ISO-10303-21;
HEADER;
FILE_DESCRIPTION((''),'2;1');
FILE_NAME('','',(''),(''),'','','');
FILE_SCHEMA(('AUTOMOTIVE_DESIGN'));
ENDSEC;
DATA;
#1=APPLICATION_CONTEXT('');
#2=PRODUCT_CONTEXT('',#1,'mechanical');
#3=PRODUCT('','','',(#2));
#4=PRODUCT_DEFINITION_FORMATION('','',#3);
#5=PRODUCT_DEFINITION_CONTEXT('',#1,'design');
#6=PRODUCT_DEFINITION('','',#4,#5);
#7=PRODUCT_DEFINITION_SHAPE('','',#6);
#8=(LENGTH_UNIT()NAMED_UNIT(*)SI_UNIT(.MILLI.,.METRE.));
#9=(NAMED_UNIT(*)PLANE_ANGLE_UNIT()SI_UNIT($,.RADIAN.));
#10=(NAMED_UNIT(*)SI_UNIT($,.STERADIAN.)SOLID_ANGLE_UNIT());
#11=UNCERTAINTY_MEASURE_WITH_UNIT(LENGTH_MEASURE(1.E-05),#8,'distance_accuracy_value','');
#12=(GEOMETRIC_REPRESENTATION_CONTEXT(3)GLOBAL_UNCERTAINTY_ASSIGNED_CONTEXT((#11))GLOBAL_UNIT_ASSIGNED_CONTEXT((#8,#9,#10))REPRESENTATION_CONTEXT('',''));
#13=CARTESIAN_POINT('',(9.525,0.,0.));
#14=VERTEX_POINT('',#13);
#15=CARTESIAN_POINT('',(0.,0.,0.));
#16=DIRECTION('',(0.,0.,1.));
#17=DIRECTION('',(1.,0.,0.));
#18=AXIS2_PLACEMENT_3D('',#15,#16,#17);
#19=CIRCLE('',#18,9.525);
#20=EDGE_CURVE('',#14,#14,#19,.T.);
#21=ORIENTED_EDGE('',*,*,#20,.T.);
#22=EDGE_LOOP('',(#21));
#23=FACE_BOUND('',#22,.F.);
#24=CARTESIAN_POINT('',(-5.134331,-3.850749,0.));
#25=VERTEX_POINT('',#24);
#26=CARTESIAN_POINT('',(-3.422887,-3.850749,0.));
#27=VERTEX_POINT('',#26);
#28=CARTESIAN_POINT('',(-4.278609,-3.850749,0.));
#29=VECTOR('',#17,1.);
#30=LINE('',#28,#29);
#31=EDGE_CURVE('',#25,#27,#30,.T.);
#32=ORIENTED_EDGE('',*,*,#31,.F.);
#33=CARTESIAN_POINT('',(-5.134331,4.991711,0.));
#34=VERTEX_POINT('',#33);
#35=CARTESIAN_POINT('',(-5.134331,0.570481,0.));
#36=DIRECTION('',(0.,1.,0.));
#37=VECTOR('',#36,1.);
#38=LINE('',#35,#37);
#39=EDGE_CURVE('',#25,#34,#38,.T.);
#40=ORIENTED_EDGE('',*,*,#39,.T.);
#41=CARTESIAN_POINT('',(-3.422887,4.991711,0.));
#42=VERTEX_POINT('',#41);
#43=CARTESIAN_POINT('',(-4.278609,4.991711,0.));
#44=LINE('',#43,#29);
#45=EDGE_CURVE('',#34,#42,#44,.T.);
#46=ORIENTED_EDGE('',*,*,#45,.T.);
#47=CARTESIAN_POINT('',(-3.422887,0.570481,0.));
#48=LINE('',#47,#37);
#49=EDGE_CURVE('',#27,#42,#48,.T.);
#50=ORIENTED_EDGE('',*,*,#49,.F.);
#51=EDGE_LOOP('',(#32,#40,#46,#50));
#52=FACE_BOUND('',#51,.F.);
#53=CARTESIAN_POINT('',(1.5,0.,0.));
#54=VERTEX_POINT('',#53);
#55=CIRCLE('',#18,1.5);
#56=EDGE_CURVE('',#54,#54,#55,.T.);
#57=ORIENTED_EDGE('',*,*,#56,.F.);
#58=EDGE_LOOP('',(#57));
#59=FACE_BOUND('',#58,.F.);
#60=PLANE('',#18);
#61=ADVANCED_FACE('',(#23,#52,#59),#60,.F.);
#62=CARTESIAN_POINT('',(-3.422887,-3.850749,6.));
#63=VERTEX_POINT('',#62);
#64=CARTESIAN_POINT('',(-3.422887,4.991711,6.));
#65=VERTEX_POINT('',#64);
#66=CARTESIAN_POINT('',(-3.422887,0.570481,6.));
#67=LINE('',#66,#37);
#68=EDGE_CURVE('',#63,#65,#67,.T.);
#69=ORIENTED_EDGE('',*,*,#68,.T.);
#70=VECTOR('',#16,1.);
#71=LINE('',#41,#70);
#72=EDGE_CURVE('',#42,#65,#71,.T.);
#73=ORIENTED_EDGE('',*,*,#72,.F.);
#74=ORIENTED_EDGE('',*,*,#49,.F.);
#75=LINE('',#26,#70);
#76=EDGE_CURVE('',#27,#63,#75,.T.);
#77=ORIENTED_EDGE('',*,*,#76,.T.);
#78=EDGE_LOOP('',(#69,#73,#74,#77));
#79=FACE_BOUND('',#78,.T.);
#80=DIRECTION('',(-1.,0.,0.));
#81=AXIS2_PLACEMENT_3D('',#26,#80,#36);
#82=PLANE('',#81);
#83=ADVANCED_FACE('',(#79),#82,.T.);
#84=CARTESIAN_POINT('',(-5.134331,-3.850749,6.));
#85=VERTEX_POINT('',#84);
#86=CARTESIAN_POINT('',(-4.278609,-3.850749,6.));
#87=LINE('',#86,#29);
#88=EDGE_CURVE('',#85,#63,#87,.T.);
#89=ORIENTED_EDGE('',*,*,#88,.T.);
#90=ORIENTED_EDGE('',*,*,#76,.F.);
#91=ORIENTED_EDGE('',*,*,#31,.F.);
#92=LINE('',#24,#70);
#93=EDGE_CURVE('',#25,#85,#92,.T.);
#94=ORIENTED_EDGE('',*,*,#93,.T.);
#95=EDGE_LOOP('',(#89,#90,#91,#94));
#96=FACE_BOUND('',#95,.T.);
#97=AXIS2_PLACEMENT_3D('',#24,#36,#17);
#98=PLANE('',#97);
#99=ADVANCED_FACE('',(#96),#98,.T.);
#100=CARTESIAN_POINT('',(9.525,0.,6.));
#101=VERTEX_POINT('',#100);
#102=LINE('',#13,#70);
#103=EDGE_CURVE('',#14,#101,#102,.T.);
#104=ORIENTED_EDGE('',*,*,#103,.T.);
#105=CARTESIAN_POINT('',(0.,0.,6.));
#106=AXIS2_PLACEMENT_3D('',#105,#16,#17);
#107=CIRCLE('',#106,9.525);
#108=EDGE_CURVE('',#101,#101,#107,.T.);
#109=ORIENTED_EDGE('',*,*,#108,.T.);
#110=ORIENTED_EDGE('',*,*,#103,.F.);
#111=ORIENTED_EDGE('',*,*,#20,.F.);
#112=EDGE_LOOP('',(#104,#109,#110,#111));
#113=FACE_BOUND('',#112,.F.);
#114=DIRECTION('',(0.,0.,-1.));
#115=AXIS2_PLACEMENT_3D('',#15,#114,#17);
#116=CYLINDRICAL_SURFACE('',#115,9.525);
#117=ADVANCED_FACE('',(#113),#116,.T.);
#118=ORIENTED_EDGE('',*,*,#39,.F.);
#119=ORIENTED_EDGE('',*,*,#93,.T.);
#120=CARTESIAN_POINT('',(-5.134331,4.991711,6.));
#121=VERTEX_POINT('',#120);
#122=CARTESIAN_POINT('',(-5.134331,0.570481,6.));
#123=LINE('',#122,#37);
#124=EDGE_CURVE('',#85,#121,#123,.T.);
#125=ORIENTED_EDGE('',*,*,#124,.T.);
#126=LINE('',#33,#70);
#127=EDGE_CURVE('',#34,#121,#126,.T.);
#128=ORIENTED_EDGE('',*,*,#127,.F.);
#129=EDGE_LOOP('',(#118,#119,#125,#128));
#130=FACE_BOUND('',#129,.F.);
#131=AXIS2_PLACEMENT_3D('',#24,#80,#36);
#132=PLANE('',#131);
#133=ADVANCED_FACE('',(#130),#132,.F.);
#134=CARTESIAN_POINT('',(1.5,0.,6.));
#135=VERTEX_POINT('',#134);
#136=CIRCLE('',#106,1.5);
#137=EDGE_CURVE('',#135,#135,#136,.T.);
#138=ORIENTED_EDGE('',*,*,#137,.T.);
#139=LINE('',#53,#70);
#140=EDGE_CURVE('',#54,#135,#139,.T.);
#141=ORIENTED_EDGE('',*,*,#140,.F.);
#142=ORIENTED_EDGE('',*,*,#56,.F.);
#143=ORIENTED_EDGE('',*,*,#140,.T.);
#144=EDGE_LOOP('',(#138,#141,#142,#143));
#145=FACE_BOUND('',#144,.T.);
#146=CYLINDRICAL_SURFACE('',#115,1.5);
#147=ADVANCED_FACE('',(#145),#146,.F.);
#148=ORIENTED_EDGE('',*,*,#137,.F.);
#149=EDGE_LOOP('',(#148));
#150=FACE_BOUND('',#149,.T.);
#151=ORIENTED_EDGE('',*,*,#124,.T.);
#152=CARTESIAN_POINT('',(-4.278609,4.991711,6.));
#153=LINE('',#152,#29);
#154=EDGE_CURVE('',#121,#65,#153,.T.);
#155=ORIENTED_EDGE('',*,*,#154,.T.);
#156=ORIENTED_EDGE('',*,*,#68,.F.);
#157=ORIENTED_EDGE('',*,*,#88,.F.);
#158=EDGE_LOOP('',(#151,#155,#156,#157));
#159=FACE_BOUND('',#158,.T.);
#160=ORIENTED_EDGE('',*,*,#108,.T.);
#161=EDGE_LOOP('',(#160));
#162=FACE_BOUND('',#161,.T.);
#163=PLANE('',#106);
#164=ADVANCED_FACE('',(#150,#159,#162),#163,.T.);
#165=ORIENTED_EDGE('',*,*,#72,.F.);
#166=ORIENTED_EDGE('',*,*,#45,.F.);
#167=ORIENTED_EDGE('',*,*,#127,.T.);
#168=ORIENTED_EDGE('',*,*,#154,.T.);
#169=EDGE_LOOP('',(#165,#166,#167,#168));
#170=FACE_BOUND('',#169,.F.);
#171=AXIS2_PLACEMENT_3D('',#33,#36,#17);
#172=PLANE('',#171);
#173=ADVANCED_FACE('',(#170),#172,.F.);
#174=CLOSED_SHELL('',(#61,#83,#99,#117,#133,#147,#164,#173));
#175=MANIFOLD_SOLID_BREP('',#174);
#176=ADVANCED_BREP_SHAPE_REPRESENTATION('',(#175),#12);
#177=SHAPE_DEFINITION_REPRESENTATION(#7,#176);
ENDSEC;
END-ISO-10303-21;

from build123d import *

# Parameters (mm, degrees)
F0_R     = 9.525
F0_W     = 1.711444
F0_H     = 8.84246
F0_R_2   = 1.5
F1_DEPTH = 6


with BuildPart() as f1:
    # F0 (on Top) → F1 (new body)
    with BuildSketch(Plane.XY):
        Circle(F0_R)
        with Locations((-4.278609, 0.570481)):
            Rectangle(F0_W, F0_H, mode=Mode.SUBTRACT)
        Circle(F0_R_2, mode=Mode.SUBTRACT)
    extrude(amount=F1_DEPTH)


solid = f1.part
